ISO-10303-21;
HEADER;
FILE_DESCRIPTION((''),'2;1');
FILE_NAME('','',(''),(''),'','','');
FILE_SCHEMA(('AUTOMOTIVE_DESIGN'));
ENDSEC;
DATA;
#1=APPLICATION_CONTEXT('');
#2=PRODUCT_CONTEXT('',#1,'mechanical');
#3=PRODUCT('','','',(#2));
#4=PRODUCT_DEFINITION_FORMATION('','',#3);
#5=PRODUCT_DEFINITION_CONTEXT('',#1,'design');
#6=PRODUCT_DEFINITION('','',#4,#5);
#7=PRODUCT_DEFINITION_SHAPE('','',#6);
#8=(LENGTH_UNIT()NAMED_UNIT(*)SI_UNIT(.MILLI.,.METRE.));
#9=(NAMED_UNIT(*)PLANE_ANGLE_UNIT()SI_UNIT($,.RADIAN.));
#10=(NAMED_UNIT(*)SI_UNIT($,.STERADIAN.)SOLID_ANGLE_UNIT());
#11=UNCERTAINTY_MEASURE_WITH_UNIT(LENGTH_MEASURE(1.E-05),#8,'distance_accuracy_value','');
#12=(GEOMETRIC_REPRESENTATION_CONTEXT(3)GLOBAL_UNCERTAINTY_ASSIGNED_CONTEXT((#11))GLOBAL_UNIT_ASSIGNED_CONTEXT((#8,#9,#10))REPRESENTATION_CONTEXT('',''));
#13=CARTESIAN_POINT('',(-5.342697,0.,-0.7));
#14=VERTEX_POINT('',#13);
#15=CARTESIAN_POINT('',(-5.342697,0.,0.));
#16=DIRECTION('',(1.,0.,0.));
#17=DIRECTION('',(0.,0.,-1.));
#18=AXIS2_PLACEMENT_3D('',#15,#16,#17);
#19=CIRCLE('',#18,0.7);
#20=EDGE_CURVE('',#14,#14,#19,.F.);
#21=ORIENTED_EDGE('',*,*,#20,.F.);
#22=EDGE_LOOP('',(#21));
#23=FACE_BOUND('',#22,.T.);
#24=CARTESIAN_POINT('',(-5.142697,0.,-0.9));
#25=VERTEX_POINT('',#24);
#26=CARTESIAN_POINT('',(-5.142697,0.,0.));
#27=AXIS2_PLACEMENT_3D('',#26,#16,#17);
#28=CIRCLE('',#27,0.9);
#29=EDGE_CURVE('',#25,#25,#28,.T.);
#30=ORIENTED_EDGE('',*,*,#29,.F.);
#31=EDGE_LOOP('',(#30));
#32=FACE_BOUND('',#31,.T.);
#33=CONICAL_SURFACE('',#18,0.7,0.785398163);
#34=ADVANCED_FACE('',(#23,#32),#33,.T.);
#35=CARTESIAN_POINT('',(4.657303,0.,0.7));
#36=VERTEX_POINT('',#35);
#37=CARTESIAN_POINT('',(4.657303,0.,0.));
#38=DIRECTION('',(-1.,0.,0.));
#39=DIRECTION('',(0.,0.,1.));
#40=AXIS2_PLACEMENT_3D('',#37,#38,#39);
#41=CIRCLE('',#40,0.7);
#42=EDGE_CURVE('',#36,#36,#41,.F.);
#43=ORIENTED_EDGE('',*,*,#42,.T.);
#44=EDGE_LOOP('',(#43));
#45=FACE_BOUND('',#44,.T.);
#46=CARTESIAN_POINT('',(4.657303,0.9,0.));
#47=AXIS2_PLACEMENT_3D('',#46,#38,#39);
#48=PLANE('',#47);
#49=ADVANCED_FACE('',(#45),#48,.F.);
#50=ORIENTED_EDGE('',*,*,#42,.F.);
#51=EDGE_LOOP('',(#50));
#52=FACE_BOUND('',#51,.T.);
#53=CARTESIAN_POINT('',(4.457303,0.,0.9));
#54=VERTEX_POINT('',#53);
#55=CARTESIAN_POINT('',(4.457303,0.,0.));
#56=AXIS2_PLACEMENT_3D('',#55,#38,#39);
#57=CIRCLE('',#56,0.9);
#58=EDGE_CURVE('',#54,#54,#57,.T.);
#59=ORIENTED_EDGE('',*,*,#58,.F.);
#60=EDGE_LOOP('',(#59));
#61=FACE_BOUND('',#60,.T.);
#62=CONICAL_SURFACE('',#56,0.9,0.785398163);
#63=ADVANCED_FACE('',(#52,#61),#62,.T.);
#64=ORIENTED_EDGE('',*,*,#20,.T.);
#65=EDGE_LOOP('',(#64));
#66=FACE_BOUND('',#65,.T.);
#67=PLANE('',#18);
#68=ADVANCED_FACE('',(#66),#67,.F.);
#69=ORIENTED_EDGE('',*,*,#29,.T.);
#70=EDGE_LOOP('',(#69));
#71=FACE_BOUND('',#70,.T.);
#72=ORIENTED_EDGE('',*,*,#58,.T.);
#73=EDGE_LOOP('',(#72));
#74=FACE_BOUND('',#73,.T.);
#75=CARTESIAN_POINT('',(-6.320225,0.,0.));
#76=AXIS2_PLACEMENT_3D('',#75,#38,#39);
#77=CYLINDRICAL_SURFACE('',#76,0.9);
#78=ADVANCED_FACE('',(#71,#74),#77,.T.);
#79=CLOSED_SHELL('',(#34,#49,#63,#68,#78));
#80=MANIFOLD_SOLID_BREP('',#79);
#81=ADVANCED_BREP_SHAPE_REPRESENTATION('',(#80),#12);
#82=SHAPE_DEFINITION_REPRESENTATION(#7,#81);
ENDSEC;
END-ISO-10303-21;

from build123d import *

# Parameters (mm, degrees)
SKETCH_1_W     = 10
SKETCH_1_H     = 0.9
CHAMFER_1_SIZE = 0.2


with BuildPart() as part:
    # 草图1 → 旋转1 (revolve)
    with BuildSketch(Plane.XY, mode=Mode.PRIVATE) as revolve_1_sk:
        with Locations((-0.342696629, 0.45)):
            Rectangle(SKETCH_1_W, SKETCH_1_H)
    revolve(revolve_1_sk.sketch.rotate(Axis((-6.320224719, 0, 0), (1, 0, 0)), 90), axis=Axis((-6.320224719, 0, 0), (1, 0, 0)))

    # 倒角1
    chamfer_1_edges = [part.edges().sort_by_distance(p)[0] for p in [
        (4.657303371, 0, -0.9),
        (-5.342696629, 0, -0.9),
    ]]
    chamfer(chamfer_1_edges, length=CHAMFER_1_SIZE)


solid = part.part
